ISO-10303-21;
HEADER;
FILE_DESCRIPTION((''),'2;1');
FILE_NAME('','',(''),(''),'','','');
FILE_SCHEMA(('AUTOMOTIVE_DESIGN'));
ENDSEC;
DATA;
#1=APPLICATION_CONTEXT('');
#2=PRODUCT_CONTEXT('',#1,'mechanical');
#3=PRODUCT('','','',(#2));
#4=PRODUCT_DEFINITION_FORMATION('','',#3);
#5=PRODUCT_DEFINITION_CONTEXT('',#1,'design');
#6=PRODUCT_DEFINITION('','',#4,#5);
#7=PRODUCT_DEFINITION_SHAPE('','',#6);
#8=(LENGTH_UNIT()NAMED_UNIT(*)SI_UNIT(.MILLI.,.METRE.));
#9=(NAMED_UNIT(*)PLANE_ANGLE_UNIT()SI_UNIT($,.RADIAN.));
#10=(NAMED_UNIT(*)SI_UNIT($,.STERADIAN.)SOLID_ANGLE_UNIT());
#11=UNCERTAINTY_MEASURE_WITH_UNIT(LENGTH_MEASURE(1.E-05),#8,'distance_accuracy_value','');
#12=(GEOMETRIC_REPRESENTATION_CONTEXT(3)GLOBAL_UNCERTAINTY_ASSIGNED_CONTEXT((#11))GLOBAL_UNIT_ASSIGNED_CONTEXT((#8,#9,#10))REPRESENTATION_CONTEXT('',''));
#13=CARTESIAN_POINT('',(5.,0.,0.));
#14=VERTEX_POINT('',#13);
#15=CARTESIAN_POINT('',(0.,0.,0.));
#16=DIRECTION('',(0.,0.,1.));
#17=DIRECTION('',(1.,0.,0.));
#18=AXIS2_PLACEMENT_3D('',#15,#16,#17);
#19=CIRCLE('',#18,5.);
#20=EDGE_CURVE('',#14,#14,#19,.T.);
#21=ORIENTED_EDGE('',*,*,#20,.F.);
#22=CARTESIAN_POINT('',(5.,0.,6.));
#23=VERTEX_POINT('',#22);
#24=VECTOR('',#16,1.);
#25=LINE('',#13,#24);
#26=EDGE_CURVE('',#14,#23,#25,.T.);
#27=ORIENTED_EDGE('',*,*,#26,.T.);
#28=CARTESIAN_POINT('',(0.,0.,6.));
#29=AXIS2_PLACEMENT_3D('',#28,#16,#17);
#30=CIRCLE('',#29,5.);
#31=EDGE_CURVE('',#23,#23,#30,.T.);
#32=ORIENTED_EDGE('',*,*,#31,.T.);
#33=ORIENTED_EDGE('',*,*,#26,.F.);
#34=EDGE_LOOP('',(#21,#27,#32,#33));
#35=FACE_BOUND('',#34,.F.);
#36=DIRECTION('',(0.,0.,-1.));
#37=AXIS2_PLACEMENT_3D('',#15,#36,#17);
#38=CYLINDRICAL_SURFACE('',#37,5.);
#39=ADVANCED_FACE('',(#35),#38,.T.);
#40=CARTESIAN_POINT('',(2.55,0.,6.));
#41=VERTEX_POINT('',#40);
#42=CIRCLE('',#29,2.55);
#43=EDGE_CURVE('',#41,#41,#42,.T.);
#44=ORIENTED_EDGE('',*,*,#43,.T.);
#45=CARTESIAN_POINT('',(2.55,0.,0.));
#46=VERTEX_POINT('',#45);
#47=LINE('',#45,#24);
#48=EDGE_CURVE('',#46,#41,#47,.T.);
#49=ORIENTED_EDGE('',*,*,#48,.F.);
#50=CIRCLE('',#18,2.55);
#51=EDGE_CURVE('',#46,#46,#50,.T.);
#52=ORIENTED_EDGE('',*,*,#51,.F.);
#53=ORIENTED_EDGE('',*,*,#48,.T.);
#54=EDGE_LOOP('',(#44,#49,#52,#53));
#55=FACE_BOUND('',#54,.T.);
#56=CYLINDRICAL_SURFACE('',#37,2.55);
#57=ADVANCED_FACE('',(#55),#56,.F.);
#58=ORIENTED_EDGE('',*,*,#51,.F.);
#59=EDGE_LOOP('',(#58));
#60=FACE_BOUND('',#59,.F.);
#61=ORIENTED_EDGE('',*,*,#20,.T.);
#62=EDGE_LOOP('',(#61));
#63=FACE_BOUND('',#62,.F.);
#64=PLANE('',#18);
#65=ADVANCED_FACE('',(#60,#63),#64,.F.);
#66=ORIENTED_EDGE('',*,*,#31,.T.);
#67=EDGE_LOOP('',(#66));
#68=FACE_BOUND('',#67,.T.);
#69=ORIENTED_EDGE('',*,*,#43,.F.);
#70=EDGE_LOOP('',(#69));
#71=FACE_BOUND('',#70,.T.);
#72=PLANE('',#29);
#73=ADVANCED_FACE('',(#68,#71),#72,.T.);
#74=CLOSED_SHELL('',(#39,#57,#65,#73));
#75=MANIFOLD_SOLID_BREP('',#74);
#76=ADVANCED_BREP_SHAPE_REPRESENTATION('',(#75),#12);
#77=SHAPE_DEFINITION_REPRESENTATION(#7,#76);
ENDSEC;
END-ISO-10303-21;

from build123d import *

# Parameters (mm, degrees)
SKETCH2_R           = 5
SKETCH2_R_2         = 2.55
BOSS_EXTRUDE1_DEPTH = 6


with BuildPart() as part:
    # Sketch2 → Boss-Extrude1 (new body)
    with BuildSketch(Plane.XY):
        Circle(SKETCH2_R)
        Circle(SKETCH2_R_2, mode=Mode.SUBTRACT)
    extrude(amount=BOSS_EXTRUDE1_DEPTH)


solid = part.part
